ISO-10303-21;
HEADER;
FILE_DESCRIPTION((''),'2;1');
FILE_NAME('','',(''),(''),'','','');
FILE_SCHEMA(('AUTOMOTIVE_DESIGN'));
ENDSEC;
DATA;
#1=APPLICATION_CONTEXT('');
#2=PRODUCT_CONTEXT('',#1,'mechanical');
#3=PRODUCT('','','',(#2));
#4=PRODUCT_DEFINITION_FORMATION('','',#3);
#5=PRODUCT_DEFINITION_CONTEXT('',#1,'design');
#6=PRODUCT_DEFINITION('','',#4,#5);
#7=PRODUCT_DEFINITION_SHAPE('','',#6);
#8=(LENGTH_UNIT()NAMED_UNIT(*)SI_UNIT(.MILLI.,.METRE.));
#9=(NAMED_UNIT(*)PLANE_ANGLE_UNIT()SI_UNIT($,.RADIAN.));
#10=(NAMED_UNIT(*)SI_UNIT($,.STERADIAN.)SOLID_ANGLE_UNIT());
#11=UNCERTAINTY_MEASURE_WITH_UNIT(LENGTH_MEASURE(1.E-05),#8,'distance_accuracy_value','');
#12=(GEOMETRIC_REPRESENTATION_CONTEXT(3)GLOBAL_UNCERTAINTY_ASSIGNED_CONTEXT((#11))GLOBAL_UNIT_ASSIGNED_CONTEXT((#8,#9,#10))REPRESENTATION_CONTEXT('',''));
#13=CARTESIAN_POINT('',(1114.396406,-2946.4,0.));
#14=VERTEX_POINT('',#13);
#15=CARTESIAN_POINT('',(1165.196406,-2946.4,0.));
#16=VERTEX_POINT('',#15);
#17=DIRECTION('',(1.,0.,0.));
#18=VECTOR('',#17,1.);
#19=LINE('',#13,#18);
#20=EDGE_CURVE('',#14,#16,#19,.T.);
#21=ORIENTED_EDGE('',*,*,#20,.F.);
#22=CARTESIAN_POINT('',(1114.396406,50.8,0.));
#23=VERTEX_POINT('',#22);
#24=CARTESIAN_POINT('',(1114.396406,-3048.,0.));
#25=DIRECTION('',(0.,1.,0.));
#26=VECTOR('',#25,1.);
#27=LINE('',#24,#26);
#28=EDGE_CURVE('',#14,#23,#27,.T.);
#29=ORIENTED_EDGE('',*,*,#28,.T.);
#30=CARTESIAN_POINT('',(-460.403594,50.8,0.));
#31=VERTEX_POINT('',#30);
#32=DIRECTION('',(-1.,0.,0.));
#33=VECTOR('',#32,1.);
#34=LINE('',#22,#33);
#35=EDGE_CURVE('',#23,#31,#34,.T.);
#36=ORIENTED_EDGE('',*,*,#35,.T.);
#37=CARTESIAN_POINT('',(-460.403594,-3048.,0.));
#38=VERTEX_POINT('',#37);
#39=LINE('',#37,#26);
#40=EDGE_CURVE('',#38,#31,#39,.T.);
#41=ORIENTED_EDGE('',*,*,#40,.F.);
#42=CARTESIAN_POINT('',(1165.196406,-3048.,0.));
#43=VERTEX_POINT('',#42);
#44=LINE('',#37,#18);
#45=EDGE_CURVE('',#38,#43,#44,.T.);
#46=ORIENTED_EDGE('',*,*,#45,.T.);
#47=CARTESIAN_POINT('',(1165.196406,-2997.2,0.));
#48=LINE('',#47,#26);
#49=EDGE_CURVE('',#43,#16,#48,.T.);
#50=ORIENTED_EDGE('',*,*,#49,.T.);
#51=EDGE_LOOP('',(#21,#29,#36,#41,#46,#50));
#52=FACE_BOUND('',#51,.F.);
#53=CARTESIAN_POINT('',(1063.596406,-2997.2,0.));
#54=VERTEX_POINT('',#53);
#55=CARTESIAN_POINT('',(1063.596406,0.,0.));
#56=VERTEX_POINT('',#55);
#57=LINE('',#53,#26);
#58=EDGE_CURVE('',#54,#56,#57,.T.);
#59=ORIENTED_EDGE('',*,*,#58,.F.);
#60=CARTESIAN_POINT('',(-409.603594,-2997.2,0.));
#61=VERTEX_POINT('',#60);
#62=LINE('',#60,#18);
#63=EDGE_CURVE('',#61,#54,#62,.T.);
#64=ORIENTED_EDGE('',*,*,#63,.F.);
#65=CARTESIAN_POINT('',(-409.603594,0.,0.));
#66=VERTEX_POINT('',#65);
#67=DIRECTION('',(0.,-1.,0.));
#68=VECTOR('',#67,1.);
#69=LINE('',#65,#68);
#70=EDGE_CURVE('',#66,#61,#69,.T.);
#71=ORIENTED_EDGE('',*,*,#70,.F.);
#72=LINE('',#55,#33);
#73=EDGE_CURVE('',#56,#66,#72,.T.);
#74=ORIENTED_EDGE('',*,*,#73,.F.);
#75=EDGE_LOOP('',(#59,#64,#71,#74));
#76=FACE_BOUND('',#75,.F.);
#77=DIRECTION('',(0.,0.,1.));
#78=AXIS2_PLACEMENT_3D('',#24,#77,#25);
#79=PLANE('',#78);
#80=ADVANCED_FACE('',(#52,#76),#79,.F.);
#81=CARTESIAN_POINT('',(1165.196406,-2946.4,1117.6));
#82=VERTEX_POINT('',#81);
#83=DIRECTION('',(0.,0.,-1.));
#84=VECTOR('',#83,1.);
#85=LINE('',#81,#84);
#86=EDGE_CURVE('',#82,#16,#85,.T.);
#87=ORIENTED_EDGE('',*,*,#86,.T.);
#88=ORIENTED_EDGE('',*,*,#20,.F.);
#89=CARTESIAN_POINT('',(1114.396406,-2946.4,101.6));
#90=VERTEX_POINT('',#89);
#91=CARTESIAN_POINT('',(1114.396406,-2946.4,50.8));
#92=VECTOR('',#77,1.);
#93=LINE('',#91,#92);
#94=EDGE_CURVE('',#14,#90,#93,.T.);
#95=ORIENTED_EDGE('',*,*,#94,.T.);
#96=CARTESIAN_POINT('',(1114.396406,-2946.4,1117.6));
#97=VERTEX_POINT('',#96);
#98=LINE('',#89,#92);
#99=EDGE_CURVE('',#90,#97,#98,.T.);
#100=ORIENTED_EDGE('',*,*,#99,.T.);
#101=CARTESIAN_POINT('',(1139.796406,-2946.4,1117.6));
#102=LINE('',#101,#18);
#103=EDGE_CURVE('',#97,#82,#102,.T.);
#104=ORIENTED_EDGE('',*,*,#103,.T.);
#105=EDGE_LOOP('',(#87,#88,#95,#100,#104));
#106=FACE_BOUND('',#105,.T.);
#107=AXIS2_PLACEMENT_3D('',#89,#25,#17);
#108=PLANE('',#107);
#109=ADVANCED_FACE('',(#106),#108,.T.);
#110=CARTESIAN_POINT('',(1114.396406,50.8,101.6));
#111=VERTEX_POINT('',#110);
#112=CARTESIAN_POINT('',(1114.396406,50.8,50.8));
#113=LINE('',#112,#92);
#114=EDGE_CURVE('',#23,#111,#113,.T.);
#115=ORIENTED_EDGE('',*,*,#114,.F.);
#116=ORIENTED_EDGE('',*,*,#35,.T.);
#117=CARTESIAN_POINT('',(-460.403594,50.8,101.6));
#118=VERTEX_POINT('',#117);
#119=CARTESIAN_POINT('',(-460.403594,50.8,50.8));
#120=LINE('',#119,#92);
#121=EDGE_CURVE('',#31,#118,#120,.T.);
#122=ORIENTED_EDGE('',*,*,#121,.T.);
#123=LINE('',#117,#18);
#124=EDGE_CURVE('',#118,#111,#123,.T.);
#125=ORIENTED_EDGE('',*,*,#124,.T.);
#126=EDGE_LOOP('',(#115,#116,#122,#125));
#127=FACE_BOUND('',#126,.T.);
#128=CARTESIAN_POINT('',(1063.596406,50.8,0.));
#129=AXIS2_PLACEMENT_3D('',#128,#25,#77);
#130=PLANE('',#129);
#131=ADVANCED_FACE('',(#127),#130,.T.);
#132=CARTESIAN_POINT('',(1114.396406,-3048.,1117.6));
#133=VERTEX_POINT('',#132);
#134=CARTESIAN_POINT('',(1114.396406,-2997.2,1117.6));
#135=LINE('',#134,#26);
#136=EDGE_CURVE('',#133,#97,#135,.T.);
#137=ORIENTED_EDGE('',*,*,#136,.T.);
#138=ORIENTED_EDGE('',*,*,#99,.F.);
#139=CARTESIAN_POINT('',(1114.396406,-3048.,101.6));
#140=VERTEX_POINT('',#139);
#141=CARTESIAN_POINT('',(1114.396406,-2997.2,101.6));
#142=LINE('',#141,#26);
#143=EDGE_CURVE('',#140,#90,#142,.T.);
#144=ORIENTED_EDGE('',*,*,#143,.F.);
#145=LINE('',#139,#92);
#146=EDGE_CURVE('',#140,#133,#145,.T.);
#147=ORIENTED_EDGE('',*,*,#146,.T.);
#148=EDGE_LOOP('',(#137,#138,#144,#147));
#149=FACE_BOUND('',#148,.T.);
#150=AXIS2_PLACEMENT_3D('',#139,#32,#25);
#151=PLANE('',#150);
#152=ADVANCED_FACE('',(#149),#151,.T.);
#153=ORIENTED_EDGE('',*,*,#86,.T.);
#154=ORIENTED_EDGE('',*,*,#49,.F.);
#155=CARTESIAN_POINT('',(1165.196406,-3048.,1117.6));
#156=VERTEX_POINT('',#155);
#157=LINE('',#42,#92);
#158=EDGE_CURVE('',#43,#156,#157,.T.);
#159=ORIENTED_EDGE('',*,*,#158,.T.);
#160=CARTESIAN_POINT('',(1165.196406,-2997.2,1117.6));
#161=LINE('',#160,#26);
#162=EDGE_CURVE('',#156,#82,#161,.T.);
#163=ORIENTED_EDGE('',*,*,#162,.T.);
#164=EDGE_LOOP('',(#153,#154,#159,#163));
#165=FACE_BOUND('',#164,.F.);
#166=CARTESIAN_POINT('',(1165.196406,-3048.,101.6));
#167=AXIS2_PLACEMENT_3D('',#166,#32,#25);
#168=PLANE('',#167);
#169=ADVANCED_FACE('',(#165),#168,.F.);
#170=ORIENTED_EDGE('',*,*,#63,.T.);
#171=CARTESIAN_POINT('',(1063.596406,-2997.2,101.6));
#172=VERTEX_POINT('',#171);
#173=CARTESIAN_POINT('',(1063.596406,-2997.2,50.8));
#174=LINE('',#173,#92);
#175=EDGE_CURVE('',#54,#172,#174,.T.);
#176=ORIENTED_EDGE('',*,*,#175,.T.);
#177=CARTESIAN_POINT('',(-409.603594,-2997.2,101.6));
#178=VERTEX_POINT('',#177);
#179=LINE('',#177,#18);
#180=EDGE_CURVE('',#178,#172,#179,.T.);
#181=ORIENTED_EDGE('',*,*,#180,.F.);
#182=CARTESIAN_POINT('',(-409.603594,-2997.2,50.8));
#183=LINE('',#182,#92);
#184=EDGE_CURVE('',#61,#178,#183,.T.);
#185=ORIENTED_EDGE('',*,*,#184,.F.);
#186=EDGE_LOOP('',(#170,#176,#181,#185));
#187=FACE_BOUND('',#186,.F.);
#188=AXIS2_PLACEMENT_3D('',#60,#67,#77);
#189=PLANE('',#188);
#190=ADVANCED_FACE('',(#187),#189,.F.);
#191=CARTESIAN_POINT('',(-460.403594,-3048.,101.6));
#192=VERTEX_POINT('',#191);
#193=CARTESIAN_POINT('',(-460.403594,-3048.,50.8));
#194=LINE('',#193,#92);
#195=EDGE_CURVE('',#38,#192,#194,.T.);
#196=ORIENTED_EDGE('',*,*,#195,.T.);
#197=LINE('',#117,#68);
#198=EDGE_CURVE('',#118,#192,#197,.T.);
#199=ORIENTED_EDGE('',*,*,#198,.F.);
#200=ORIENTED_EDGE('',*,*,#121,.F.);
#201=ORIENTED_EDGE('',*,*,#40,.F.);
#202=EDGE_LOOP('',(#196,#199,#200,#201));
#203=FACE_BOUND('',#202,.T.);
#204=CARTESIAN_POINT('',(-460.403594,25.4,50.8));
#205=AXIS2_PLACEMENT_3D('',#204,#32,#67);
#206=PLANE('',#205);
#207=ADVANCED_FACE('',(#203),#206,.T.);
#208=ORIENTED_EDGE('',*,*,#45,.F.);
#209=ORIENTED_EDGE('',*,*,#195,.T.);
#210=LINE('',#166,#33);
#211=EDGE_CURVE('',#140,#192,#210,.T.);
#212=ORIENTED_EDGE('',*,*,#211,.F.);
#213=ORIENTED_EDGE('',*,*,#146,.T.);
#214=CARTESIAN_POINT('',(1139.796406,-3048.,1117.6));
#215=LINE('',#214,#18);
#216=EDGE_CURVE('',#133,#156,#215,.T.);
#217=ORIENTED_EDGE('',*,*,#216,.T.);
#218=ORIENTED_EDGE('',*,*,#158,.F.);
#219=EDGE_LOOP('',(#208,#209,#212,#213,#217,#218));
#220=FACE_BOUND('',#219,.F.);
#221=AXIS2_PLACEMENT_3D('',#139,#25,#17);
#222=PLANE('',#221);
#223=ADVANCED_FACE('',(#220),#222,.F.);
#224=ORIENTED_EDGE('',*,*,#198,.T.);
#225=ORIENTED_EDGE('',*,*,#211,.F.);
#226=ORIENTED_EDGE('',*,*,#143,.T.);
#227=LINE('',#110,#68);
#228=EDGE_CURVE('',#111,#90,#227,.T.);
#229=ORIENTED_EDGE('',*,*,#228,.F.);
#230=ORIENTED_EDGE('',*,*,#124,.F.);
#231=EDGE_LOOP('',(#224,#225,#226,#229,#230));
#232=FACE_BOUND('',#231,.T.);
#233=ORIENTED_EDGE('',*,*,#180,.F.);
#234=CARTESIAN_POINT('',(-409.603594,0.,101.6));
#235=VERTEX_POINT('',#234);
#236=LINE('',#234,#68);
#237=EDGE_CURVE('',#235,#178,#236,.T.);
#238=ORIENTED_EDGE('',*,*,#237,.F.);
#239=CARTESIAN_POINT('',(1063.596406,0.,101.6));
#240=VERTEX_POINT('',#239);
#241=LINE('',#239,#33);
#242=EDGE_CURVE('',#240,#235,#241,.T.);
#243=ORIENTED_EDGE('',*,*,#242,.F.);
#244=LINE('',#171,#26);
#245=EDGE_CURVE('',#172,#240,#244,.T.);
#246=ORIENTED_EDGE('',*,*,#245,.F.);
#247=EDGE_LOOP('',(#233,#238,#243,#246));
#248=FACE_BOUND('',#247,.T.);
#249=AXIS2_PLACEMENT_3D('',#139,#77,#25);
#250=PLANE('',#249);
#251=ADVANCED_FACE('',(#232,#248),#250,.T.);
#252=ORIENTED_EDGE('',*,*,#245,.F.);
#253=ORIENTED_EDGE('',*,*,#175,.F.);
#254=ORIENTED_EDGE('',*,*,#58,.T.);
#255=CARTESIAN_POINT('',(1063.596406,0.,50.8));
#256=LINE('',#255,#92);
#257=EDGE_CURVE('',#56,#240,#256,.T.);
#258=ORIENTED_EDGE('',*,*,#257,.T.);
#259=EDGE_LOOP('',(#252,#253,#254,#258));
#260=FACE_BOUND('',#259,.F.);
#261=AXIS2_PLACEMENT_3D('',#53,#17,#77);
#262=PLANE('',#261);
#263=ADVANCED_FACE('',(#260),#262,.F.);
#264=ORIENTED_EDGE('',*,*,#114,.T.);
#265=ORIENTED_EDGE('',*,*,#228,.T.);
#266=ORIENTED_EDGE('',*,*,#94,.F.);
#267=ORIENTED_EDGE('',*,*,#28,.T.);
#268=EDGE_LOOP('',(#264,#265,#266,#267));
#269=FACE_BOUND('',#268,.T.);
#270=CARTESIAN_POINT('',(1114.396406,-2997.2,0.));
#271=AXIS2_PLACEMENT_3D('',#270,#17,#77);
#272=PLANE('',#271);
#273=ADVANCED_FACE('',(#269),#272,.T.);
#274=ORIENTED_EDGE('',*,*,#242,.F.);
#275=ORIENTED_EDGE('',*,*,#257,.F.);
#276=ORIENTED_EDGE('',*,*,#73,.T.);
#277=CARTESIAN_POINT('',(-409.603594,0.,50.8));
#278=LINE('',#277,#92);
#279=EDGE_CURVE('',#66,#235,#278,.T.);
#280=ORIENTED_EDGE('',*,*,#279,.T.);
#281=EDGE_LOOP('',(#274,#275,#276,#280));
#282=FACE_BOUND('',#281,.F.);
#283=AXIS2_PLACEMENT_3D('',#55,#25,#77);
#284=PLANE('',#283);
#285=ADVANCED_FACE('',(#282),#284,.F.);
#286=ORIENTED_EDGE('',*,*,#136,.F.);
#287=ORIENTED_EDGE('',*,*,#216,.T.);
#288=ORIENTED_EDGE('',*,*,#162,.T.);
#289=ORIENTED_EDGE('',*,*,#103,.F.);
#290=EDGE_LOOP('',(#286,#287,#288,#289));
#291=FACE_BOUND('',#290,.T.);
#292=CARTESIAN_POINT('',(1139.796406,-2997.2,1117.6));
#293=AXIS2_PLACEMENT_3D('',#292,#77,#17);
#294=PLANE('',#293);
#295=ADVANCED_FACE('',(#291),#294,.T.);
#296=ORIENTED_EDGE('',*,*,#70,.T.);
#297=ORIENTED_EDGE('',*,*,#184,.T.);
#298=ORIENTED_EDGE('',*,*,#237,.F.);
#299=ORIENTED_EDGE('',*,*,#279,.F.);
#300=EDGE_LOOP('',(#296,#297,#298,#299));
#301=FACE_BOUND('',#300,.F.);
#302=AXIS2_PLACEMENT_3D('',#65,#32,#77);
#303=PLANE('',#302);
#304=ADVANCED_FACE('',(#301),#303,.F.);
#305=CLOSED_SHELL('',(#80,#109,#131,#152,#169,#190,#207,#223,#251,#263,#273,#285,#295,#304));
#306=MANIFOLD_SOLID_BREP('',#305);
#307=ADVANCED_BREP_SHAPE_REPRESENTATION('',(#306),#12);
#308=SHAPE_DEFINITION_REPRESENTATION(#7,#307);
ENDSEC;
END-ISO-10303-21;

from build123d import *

# Parameters (mm, degrees)
F0_W      = 50.8
F0_H      = 101.6
F1_DEPTH  = 3048
F2_W      = 50.8
F2_H      = 101.6
F3_DEPTH  = 1524
F4_W      = 50.8
F4_H      = 101.6
F5_DEPTH  = 3048
F6_W      = 50.8
F6_H      = 101.6
F7_DEPTH  = 1524
F8_W      = 101.6
F8_H      = 101.6
F9_DEPTH  = 50.8
F10_W     = 50.8
F10_H     = 101.6
F11_DEPTH = 1016


with BuildPart() as f1:
    # F0 (on Front) → F1 (new body)
    with BuildSketch(Plane.XZ):
        with Locations((-435.003594, 50.8)):
            Rectangle(F0_W, F0_H)
    extrude(amount=F1_DEPTH)

    # F2 (on face) → F3 (join)
    with BuildSketch(Plane.YZ.offset(-409.603594)):
        with Locations((-3022.6, 50.8)):
            Rectangle(F2_W, F2_H)
    extrude(amount=F3_DEPTH)

    # F4 (on face) → F5 (join)
    with BuildSketch(Plane(origin=(0, -2997.2, 0), x_dir=(-1, 0, 0), z_dir=(0, 1, 0))):
        with Locations((-1088.996406, 50.8)):
            Rectangle(F4_W, F4_H)
    extrude(amount=F5_DEPTH)

    # F6 (on face) → F7 (join)
    with BuildSketch(Plane(origin=(1063.596406, 0, 0), x_dir=(0, -1, 0), z_dir=(-1, 0, 0))):
        with Locations((-25.4, 50.8)):
            Rectangle(F6_W, F6_H)
    extrude(amount=F7_DEPTH)

    # F8 (on face) → F9 (join)
    with BuildSketch(Plane.YZ.offset(1114.396406)):
        with Locations((-2997.2, 50.8)):
            Rectangle(F8_W, F8_H)
    extrude(amount=F9_DEPTH)

    # F10 (on face) → F11 (join)
    with BuildSketch(Plane.XY.offset(101.6)):
        with Locations((1139.796406, -2997.2)):
            Rectangle(F10_W, F10_H)
    extrude(amount=F11_DEPTH)


solid = f1.part
